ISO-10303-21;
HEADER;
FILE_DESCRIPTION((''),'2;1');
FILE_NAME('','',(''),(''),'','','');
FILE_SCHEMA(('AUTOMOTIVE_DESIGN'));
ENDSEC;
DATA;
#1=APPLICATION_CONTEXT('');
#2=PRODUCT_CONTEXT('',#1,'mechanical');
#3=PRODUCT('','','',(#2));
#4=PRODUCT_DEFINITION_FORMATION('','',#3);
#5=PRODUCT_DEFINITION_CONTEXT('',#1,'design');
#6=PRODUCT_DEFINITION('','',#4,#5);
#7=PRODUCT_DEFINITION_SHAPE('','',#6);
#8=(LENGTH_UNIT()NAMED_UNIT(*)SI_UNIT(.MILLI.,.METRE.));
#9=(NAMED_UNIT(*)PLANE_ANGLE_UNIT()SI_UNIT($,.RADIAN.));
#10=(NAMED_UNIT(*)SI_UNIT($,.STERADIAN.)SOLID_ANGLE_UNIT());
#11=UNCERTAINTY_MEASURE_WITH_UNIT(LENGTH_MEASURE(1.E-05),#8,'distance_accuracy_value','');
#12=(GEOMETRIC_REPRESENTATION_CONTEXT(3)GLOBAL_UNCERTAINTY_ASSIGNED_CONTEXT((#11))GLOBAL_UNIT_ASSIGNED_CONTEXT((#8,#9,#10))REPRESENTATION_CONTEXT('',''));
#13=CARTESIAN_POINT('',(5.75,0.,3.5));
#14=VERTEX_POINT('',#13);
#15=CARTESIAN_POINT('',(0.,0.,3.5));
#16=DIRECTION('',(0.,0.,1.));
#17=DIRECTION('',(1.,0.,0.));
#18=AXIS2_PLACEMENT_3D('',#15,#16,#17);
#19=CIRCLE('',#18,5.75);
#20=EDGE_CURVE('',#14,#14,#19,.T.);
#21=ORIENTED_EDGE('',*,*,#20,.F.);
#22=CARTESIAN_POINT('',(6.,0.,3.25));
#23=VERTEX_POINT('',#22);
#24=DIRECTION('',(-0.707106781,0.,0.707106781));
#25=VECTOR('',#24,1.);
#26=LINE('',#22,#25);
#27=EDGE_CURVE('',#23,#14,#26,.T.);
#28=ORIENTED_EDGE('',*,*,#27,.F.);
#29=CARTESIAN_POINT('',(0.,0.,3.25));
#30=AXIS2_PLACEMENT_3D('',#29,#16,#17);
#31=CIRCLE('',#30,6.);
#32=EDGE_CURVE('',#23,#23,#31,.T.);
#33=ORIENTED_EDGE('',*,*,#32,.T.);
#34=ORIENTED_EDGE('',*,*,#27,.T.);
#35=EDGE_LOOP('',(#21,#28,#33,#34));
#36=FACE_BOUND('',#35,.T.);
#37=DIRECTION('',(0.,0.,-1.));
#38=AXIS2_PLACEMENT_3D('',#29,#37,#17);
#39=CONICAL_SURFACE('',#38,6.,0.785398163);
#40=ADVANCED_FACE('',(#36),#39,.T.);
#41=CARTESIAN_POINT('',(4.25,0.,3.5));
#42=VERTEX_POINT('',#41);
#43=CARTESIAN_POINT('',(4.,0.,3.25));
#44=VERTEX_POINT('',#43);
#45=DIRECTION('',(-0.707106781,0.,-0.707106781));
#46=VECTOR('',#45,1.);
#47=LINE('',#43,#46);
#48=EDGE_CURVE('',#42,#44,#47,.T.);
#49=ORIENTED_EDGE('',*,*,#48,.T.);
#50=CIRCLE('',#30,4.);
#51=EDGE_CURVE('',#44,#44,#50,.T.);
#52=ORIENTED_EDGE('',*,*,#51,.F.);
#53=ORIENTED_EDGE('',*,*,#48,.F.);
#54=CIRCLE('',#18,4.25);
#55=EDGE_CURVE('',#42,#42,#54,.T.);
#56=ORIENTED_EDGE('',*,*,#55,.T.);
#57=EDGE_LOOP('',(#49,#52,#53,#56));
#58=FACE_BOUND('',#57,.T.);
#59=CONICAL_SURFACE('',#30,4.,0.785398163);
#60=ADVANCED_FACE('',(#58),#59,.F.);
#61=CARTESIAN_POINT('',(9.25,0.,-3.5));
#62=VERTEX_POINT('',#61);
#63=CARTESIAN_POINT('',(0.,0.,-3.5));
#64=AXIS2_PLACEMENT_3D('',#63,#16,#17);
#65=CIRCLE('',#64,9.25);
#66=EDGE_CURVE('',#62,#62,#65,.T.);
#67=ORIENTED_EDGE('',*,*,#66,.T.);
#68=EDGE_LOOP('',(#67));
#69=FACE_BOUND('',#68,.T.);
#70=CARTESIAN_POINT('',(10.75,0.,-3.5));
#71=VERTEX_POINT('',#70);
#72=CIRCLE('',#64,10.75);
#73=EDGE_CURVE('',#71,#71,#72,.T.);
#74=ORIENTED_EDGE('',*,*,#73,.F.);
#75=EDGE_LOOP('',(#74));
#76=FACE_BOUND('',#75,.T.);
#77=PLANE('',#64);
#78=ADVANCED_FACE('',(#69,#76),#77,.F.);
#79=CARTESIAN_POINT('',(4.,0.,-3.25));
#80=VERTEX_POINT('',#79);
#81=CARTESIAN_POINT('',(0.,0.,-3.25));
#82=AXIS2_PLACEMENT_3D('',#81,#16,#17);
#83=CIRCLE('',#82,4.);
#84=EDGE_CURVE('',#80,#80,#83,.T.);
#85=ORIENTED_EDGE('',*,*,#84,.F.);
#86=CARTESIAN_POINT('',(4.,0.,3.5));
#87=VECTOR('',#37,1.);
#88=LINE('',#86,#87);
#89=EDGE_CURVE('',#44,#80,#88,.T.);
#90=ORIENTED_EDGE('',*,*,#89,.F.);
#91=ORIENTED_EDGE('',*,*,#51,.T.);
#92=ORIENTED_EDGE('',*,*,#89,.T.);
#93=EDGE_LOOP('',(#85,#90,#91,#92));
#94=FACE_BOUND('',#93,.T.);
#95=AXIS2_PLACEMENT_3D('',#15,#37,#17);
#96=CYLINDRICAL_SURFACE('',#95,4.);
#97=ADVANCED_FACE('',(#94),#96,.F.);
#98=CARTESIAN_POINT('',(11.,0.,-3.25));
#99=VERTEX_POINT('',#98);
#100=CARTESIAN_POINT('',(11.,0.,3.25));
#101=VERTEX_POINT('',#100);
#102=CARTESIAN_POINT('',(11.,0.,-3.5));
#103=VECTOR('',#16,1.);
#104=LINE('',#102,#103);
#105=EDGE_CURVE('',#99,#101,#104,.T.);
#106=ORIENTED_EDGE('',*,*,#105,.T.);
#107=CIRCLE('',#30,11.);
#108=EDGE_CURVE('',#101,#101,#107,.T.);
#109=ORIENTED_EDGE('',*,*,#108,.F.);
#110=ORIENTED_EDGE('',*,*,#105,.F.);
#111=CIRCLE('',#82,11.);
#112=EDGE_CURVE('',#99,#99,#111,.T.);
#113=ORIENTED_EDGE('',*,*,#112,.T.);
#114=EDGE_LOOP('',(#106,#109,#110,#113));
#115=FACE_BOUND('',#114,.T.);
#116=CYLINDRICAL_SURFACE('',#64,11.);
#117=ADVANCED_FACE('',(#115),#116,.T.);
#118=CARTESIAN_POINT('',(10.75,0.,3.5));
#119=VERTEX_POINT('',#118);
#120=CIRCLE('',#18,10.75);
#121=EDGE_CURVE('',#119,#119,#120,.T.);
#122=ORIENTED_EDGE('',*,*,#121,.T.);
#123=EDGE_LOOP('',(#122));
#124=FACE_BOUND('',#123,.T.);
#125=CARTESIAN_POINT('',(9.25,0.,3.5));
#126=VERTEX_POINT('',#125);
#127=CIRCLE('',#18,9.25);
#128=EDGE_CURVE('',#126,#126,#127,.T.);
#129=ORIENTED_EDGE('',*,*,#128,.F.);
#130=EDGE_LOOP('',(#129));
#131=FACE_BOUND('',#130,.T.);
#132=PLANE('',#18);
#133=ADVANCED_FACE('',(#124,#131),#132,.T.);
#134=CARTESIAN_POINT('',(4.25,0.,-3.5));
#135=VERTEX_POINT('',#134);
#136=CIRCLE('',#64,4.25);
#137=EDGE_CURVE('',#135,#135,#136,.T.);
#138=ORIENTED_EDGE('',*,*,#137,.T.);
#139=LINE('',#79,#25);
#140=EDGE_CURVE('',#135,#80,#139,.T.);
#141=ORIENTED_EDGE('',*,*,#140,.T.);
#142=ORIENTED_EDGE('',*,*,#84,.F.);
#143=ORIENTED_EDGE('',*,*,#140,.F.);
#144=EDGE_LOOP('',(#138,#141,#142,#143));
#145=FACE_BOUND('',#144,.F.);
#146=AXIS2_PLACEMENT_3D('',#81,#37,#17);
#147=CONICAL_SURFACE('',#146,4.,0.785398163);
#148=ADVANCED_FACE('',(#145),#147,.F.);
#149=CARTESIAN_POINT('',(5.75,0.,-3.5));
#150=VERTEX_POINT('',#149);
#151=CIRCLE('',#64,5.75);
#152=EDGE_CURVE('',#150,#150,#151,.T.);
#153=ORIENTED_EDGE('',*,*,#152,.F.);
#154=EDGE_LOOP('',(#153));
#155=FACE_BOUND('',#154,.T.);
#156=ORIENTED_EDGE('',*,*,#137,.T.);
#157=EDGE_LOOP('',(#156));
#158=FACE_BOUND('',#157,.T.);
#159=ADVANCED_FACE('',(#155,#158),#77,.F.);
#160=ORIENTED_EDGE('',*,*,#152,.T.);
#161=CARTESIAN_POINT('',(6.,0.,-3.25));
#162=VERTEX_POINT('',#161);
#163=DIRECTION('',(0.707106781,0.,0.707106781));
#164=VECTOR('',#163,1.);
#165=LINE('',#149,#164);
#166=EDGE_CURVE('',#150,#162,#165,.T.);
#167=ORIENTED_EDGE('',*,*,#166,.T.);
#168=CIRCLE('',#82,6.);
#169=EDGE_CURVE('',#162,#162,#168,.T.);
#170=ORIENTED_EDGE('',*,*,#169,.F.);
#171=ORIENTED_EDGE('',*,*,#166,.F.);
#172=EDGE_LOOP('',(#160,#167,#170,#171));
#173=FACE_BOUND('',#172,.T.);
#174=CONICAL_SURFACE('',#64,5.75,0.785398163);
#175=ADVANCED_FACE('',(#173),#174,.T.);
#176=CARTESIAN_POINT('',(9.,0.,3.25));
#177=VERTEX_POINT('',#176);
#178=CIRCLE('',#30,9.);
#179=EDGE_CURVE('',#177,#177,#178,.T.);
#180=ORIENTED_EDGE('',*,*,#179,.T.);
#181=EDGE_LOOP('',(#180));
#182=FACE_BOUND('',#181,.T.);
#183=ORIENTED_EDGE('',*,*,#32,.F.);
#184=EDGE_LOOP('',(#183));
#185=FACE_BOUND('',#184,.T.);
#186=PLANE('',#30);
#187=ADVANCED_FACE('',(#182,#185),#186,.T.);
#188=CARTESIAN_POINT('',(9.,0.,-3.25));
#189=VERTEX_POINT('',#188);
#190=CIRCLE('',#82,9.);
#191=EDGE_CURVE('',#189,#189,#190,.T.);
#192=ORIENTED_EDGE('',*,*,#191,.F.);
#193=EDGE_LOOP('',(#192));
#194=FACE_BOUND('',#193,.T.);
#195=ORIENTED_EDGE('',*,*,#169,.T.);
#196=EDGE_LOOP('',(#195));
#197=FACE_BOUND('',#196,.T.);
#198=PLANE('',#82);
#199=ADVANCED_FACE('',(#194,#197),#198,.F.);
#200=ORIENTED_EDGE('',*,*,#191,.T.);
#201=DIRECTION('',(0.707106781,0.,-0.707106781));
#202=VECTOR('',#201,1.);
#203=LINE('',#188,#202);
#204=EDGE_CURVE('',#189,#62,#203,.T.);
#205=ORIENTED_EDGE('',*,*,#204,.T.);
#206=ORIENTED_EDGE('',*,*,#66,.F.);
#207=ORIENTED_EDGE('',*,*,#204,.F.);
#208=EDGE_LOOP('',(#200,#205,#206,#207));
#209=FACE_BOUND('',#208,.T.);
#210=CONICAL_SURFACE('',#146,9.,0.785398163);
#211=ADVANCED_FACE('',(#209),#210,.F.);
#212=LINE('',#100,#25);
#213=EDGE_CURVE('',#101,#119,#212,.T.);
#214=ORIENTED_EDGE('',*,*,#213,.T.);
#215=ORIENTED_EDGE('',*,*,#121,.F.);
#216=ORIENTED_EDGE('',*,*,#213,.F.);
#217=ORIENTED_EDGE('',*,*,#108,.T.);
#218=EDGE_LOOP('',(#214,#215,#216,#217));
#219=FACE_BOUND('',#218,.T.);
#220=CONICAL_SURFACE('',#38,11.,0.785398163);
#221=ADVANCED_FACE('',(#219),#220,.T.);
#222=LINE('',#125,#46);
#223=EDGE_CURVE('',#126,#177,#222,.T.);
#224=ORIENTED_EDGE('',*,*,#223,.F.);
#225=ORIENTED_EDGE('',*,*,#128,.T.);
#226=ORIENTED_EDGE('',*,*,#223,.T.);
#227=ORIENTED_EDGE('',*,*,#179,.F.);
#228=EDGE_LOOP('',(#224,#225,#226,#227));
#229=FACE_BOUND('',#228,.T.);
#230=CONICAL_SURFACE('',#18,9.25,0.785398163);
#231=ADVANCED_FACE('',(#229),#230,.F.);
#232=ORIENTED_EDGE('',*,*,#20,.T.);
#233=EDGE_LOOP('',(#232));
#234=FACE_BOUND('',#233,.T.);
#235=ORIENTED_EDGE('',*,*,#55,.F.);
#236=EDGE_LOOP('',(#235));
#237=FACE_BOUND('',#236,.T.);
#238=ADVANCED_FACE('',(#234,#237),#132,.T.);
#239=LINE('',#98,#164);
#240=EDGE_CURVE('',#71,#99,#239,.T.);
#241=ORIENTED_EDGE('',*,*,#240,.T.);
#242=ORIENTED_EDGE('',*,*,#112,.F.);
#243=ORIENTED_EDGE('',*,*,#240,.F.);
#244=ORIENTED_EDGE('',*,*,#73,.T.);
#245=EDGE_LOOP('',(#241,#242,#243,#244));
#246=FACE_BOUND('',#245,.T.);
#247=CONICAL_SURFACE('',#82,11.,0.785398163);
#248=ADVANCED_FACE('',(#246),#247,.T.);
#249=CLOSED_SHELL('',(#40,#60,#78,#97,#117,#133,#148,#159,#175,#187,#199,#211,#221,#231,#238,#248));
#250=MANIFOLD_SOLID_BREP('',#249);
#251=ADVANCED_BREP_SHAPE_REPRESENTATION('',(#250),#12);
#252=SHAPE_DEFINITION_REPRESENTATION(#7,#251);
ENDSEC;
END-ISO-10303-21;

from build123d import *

# Parameters (mm, degrees)
CHAMFER_SIZE = 0.25


with BuildPart() as part:
    # Sketch → Revolution (revolve)
    with BuildSketch(Plane.XZ):
        Polygon((4, -3.5), (5.75, -3.5), (6, -3.25), (9, -3.25), (9.25, -3.5), (11, -3.5), (11, 3.5), (9.25, 3.5), (9, 3.25), (6, 3.25), (5.75, 3.5), (4, 3.5), align=None)
    revolve(axis=Axis((0, 0, 0), (0, 0, 1)))

    # Chamfer
    chamfer_edges = [part.edges().sort_by_distance(p)[0] for p in [
        (-4, 0, -3.5),
        (-4, 0, 3.5),
        (-11, 0, -3.5),
        (-11, 0, 3.5),
    ]]
    chamfer(chamfer_edges, length=CHAMFER_SIZE)


solid = part.part
